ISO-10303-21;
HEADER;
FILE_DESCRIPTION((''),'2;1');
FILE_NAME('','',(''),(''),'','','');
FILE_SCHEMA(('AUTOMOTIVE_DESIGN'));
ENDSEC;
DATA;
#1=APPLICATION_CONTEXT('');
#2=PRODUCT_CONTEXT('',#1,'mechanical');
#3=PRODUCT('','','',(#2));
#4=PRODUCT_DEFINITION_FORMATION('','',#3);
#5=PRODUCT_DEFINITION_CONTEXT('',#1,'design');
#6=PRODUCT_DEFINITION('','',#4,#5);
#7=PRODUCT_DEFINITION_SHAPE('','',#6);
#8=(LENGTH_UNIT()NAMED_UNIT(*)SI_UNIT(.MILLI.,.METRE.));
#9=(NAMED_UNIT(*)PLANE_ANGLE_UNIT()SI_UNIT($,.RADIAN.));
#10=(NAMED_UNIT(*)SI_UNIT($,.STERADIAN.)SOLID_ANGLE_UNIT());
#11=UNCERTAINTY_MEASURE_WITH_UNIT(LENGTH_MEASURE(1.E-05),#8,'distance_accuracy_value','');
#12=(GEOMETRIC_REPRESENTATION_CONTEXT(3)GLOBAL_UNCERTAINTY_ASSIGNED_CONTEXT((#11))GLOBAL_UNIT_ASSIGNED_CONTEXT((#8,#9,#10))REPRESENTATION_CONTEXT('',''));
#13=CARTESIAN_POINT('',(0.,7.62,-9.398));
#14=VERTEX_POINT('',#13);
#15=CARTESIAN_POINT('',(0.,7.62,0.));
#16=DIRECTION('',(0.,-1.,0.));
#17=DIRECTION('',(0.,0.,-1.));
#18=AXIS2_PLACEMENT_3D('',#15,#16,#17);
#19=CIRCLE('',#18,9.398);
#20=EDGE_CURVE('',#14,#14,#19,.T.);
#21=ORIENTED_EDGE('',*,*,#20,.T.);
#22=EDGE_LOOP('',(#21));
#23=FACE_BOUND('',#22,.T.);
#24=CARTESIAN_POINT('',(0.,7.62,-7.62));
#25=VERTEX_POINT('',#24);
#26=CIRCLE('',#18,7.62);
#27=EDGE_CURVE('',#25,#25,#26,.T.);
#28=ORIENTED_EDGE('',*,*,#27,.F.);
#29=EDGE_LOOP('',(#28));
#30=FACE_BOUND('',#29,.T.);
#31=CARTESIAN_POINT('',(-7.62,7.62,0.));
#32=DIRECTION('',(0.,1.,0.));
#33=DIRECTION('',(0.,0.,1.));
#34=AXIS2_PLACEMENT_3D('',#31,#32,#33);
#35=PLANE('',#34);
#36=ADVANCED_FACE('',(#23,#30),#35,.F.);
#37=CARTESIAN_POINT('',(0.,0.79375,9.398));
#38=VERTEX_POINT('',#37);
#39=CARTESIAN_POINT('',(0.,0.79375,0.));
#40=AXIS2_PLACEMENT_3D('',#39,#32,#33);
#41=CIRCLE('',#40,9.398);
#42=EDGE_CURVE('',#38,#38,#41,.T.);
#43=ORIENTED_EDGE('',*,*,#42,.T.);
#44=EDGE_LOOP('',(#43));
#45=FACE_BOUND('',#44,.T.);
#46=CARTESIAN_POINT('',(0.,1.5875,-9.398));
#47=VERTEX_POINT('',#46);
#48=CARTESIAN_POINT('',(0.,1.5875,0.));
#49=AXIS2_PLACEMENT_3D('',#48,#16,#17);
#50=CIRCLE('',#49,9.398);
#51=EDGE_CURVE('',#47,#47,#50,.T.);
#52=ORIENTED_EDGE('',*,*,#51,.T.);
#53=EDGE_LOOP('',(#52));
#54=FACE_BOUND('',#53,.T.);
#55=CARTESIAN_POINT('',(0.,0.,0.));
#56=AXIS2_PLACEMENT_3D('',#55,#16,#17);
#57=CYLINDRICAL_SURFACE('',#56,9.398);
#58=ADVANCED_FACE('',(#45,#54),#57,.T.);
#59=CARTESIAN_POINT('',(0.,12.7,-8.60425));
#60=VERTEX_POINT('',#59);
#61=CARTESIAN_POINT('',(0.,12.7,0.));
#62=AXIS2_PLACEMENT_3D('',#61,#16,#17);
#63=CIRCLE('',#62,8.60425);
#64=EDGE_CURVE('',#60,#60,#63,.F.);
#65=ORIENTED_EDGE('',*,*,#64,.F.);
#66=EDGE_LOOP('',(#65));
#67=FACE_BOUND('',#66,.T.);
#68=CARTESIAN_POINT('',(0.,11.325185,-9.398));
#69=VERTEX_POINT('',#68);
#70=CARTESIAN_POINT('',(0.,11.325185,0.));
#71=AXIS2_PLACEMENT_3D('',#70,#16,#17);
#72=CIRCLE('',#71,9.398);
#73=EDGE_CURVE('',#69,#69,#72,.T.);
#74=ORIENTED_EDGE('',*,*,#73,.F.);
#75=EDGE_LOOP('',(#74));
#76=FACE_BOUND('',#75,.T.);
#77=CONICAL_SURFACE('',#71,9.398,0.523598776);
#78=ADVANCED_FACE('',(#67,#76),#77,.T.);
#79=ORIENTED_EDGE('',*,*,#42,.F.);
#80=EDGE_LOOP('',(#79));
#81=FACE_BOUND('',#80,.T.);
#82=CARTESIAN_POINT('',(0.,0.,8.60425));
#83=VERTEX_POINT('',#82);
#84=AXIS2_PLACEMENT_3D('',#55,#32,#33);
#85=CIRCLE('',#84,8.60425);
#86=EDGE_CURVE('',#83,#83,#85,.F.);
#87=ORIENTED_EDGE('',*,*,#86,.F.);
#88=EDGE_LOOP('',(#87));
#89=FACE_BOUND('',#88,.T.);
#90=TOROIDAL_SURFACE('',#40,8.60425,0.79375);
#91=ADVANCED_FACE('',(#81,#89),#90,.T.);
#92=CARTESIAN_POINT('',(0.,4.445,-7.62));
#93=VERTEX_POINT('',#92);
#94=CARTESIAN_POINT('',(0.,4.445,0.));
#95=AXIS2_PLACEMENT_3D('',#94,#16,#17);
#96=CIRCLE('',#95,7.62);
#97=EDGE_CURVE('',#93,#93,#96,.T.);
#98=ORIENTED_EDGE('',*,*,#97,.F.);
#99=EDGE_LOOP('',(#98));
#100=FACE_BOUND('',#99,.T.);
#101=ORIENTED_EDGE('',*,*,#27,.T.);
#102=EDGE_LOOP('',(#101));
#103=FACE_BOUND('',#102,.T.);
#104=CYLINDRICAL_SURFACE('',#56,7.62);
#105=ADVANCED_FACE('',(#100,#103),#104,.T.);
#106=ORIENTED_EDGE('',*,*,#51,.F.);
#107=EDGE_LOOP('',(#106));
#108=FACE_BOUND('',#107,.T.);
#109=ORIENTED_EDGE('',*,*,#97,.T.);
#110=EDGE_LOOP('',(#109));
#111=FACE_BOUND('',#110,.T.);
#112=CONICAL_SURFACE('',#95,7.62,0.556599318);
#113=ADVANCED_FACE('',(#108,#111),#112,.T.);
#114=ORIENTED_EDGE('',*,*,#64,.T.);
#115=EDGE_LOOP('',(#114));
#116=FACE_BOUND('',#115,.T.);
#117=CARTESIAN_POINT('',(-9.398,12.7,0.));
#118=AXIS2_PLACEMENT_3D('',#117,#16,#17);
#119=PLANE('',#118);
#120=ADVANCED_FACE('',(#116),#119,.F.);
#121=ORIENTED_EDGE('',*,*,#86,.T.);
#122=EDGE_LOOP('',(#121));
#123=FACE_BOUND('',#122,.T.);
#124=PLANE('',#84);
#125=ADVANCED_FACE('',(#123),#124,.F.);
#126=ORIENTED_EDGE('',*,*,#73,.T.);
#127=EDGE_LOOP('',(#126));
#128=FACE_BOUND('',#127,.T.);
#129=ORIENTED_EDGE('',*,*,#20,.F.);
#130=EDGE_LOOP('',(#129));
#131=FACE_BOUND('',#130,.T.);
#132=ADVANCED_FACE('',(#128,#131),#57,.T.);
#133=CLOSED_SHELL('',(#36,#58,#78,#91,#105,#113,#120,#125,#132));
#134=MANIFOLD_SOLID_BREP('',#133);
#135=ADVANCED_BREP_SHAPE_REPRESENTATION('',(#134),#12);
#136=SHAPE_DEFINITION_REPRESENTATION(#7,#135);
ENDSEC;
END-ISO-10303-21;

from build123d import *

# Parameters (mm, degrees)
FILLET1_R      = 0.79375
CHAMFER1_SIZE  = 0.79375
CHAMFER1_SIZE2 = 1.374815329


with BuildPart() as part:
    # Sketch1 → Revolve1 (revolve)
    with BuildSketch(Plane.XY):
        Polygon((0, 0), (-9.398, 0), (-9.398, 1.5875), (-7.62, 4.445), (-7.62, 7.62), (-9.398, 7.62), (-9.398, 12.7), (0, 12.7), align=None)
    revolve(axis=Axis((0, 0, 0), (0, 1, 0)))

    # Fillet1
    fillet1_edges = [part.edges().sort_by_distance(p)[0] for p in [
        (9.398, 0, 0),
    ]]
    fillet(fillet1_edges, radius=FILLET1_R)

    # Chamfer1
    chamfer1_edges = [part.edges().sort_by_distance(p)[0] for p in [
        (9.398, 12.7, 0),
    ]]
    chamfer1_side = [part.faces().sort_by_distance(p)[0] for p in [
        (0, 12.7, 0),
    ]]
    chamfer(chamfer1_edges, length=CHAMFER1_SIZE, length2=CHAMFER1_SIZE2, reference=chamfer1_side[0])


solid = part.part
